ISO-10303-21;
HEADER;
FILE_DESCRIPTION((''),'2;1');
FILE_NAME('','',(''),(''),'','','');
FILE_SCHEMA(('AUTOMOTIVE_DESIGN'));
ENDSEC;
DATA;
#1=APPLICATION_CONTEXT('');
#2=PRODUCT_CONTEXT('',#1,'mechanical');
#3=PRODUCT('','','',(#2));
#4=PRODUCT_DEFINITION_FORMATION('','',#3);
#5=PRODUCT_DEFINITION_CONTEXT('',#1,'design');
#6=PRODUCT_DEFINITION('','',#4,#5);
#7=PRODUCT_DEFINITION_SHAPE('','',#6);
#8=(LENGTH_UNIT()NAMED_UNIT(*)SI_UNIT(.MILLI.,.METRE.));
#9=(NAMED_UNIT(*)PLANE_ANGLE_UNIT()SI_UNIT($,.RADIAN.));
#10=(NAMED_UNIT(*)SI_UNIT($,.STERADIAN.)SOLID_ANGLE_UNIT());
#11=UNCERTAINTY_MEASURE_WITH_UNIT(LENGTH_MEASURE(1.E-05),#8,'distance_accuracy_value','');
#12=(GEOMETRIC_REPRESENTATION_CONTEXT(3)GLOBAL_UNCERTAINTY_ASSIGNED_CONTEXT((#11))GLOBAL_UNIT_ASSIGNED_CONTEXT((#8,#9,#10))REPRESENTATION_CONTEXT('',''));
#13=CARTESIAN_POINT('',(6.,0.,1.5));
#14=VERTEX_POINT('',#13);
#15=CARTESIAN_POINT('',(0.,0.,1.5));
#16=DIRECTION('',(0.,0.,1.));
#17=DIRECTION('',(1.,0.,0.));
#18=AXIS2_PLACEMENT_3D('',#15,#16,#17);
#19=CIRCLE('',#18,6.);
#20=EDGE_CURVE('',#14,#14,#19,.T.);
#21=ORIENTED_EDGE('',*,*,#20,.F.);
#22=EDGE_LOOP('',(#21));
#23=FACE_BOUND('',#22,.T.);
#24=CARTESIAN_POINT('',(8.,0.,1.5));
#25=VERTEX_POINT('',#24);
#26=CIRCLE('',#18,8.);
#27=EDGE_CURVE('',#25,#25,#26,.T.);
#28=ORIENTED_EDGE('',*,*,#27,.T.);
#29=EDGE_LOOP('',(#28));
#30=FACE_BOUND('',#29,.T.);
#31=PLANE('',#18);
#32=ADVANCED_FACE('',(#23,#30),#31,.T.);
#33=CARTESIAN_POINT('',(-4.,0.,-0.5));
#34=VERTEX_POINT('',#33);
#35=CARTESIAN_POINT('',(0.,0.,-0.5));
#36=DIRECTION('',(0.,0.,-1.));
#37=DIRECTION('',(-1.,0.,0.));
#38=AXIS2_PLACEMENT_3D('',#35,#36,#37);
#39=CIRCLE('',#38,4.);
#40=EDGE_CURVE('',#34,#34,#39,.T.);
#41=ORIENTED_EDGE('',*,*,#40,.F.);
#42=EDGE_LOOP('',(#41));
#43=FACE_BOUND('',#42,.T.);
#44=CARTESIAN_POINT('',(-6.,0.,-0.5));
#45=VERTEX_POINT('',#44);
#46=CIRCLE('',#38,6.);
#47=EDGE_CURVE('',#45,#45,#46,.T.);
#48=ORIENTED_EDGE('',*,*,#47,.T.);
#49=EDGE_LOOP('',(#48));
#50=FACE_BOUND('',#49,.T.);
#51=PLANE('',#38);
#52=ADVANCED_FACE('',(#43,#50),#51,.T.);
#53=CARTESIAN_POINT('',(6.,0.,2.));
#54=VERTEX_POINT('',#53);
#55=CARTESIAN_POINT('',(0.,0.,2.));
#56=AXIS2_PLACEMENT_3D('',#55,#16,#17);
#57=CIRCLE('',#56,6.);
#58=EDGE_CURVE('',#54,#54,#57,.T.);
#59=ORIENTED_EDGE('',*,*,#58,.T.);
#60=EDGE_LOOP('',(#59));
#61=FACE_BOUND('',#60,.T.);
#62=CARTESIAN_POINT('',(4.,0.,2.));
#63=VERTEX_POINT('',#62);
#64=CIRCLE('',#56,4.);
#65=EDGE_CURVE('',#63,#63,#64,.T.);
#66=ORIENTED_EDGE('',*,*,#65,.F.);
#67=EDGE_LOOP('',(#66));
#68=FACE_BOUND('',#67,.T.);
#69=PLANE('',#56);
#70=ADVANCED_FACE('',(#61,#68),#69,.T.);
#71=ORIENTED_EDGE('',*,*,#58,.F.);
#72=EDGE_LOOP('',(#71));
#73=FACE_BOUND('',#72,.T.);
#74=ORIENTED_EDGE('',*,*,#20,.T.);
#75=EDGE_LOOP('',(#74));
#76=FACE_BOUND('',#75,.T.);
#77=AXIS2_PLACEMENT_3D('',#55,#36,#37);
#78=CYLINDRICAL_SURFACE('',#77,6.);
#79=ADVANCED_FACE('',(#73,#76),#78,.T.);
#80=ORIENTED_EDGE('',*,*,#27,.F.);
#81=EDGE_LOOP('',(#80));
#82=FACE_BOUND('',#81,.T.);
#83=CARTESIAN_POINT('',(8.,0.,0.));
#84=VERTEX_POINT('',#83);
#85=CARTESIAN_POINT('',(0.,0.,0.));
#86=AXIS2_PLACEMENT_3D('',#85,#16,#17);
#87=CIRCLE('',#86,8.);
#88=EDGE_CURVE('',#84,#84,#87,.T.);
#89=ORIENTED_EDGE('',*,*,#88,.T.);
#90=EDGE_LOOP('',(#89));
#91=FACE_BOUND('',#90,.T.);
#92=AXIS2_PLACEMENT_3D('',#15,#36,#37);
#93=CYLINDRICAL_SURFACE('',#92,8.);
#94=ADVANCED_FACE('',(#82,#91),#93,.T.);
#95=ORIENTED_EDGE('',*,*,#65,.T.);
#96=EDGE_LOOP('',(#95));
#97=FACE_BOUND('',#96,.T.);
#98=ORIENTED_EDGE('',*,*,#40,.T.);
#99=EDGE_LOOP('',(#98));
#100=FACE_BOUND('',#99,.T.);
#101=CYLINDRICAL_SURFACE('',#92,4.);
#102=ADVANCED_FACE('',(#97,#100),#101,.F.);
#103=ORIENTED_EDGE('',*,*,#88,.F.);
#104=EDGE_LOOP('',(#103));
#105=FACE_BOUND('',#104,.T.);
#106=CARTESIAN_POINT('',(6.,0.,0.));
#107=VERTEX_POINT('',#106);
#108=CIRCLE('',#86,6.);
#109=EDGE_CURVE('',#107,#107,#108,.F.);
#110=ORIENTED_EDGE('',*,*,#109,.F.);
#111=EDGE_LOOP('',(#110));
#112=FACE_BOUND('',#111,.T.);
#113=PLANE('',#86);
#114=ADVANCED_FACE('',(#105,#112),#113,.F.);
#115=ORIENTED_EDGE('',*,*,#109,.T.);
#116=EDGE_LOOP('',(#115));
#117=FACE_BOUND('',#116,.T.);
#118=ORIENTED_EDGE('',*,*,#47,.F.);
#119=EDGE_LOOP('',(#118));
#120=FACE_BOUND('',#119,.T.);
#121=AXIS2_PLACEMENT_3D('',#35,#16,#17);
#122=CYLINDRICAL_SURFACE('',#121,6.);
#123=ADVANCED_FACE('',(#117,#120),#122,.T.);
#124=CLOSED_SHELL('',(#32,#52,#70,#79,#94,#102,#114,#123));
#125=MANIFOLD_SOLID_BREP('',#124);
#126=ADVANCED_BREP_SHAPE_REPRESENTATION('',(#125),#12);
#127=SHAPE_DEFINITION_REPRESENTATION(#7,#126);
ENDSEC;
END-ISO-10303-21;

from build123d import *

# Parameters (mm, degrees)
SKETCH_1_R      = 8
SKETCH_1_R_2    = 4
EXTRUDE_1_DEPTH = 1.5
SKETCH_2_R      = 6
SKETCH_2_R_2    = 4
EXTRUDE_2_DEPTH = 0.5
EXTRUDE_START   = 0.5
SKETCH_3_R      = 6
SKETCH_3_R_2    = 4
EXTRUDE_3_DEPTH = 0.5


with BuildPart() as part:
    # Эскиз1 → Бобышка-Вытянуть1 (new body)
    with BuildSketch(Plane.XY):
        Circle(SKETCH_1_R)
        Circle(SKETCH_1_R_2, mode=Mode.SUBTRACT)
    extrude(amount=EXTRUDE_1_DEPTH)

    # Эскиз2 → Бобышка-Вытянуть2 (add)
    with BuildSketch(Plane.XY.offset(1.5)):
        Circle(SKETCH_2_R)
        Circle(SKETCH_2_R_2, mode=Mode.SUBTRACT)
    extrude(amount=EXTRUDE_2_DEPTH)

    # Эскиз3 → Бобышка-Вытянуть3 (add)
    with BuildSketch(Plane(origin=(0, 0, 0), x_dir=(-1, 0, 0), z_dir=(0, 0, -1)).offset(EXTRUDE_START)):
        with Locations(Location((0, 0, 0), (0, 0, 180))):
            Circle(SKETCH_3_R)
        Circle(SKETCH_3_R_2, mode=Mode.SUBTRACT)
    extrude(amount=-EXTRUDE_3_DEPTH)


solid = part.part
